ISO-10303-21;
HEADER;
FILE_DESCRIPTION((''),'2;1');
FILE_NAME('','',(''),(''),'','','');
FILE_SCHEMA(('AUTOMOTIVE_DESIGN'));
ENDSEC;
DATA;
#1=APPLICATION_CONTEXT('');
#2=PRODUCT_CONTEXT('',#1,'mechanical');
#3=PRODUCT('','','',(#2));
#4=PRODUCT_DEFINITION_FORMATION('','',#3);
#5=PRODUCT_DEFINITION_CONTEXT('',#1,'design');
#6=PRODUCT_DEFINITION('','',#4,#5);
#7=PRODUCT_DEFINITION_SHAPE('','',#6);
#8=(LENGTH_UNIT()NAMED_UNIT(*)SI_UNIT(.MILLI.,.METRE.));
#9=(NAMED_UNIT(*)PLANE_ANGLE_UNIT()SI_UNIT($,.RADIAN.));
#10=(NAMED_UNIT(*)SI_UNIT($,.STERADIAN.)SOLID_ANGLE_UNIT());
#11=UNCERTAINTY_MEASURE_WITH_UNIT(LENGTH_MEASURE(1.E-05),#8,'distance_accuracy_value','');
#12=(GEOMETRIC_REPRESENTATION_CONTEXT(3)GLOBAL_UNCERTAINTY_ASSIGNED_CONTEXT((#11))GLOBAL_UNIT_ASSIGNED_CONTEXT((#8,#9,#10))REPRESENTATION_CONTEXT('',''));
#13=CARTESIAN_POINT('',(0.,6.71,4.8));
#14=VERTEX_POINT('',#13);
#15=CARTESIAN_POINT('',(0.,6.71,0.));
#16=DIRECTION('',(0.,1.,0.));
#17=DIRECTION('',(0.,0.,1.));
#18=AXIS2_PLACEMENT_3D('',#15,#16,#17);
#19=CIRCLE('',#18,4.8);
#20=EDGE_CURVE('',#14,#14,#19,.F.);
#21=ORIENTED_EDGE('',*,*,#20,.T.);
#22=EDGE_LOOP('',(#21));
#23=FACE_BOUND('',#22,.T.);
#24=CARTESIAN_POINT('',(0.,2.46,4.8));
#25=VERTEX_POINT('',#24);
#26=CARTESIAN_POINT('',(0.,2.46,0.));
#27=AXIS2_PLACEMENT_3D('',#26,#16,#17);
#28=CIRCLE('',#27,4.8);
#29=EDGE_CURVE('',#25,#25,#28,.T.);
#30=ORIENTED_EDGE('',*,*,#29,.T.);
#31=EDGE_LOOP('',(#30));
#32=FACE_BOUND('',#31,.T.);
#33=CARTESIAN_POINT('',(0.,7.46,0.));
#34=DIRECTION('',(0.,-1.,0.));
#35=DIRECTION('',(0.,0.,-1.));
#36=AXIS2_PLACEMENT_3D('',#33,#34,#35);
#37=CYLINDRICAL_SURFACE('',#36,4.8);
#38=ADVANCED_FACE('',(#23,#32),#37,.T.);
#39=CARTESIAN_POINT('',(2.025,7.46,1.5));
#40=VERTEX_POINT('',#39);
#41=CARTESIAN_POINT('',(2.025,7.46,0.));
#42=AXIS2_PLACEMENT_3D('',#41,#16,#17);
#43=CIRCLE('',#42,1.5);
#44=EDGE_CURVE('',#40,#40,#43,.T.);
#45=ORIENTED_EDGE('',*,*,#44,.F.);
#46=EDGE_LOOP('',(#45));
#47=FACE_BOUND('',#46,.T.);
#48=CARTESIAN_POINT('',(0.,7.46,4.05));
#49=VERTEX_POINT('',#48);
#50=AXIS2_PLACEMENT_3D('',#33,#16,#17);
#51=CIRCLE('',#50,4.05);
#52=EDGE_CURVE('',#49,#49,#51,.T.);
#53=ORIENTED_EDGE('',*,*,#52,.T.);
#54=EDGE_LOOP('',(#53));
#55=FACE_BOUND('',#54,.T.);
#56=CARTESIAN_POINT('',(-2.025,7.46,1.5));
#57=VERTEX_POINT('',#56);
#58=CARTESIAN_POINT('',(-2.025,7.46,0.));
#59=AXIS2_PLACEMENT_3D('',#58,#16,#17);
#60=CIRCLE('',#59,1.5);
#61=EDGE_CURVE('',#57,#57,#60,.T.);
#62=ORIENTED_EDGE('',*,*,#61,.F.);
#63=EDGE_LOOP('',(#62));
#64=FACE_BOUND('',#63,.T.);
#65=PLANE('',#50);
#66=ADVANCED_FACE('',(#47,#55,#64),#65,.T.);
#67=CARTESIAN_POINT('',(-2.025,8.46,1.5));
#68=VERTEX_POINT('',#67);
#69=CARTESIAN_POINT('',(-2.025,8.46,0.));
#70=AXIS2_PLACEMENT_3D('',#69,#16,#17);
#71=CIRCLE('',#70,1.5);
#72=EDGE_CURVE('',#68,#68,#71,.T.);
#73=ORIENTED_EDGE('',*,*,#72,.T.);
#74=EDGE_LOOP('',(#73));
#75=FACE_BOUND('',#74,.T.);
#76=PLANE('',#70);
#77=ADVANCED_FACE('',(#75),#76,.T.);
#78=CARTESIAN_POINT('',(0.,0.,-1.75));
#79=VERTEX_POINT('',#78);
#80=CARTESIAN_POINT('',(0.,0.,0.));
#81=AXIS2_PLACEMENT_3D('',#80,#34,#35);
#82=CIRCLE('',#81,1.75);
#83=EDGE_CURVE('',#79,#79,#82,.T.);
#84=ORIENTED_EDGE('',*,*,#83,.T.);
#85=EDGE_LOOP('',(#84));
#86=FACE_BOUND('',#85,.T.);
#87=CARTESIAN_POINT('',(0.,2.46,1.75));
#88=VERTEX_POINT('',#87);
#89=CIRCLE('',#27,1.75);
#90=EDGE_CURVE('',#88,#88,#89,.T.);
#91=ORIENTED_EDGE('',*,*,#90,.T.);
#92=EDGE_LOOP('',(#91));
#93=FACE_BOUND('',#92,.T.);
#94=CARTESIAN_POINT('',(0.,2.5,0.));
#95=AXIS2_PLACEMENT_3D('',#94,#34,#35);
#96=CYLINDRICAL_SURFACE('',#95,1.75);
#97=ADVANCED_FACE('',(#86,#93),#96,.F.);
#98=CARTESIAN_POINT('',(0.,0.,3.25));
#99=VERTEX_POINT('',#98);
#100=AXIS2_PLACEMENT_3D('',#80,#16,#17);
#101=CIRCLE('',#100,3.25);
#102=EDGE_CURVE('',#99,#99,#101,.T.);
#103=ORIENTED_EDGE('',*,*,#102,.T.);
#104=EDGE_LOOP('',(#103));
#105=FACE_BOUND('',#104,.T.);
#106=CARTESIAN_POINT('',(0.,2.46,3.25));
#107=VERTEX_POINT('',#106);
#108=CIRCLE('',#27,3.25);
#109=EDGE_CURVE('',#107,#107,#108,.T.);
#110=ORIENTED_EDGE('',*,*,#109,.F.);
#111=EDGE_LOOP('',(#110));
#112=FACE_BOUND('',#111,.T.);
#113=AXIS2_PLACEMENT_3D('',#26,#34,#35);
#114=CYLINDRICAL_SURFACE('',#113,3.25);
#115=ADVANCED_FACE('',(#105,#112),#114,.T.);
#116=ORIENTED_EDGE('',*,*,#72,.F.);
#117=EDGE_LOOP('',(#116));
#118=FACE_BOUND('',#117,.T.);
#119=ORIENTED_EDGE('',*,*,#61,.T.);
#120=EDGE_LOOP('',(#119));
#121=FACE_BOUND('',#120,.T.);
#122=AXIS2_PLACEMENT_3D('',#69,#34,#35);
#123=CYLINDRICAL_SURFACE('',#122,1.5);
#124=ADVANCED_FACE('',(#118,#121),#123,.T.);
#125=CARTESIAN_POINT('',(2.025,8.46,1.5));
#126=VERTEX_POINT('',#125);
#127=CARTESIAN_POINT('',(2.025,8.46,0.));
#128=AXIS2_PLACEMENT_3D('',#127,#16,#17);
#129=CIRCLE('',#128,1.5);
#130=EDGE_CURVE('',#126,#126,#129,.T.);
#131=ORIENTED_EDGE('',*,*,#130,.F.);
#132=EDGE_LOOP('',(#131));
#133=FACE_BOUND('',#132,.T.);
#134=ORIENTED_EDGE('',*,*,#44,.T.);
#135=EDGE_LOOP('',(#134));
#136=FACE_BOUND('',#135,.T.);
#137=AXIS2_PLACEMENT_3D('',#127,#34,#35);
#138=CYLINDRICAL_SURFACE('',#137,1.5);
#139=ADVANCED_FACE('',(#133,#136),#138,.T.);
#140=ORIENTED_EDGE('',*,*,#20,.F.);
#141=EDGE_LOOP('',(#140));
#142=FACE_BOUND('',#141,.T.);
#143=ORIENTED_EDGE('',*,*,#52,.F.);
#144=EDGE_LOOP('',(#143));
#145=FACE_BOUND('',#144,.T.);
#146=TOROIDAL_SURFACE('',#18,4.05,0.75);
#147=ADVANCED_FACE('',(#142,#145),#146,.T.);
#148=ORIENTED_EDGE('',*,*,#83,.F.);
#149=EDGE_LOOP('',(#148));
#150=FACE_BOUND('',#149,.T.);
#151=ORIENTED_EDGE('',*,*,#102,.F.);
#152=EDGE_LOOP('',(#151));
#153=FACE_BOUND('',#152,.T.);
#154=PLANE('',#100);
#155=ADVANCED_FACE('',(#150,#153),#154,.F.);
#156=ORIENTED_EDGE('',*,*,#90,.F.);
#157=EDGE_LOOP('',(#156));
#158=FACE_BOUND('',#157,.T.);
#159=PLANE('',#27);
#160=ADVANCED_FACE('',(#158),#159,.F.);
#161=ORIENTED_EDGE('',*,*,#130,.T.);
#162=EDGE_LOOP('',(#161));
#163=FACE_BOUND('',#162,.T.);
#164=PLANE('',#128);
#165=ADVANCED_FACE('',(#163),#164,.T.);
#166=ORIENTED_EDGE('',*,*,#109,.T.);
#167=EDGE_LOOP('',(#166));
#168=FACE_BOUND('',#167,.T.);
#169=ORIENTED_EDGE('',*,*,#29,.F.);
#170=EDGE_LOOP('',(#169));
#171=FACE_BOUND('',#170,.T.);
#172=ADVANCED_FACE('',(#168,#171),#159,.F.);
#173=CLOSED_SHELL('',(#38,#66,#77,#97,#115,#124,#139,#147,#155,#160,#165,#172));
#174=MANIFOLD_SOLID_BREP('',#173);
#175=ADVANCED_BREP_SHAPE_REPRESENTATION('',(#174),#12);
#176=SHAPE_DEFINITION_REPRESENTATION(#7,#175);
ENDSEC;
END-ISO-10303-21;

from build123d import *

# Parameters (mm, degrees)
SKETCH1_R           = 3.25
BOSS_EXTRUDE1_DEPTH = 2.46
SKETCH2_R           = 1.75
CUT_EXTRUDE1_DEPTH  = 2.5
SKETCH6_R           = 4.8
BOSS_EXTRUDE2_DEPTH = 5
FILLET2_R           = 0.75
SKETCH7_R           = 1.5
BOSS_EXTRUDE3_DEPTH = 1


with BuildPart() as part:
    # Sketch1 → Boss-Extrude1 (new body)
    with BuildSketch(Plane(origin=(0, 0, 0), x_dir=(1, 0, 0), z_dir=(0, 1, 0))):
        Circle(SKETCH1_R)
    extrude(amount=BOSS_EXTRUDE1_DEPTH)

    # Sketch2 → Cut-Extrude1 (cut)
    with BuildSketch(Plane.XZ):
        Circle(SKETCH2_R)
    extrude(amount=-CUT_EXTRUDE1_DEPTH, mode=Mode.SUBTRACT)

    # Sketch6 → Boss-Extrude2 (add)
    with BuildSketch(Plane(origin=(0, 2.46, 0), x_dir=(1, 0, 0), z_dir=(0, 1, 0))):
        Circle(SKETCH6_R)
    extrude(amount=BOSS_EXTRUDE2_DEPTH)

    # Fillet2
    fillet2_edges = [part.edges().sort_by_distance(p)[0] for p in [
        (-4.8, 7.46, 0),
    ]]
    fillet(fillet2_edges, radius=FILLET2_R)

    # Sketch7 → Boss-Extrude3 (add)
    with BuildSketch(Plane(origin=(0, 7.46, 0), x_dir=(1, 0, 0), z_dir=(0, 1, 0))):
        with Locations((-2.025, 0)):
            Circle(SKETCH7_R)
        with Locations((2.025, 0)):
            Circle(SKETCH7_R)
    extrude(amount=BOSS_EXTRUDE3_DEPTH)


solid = part.part
